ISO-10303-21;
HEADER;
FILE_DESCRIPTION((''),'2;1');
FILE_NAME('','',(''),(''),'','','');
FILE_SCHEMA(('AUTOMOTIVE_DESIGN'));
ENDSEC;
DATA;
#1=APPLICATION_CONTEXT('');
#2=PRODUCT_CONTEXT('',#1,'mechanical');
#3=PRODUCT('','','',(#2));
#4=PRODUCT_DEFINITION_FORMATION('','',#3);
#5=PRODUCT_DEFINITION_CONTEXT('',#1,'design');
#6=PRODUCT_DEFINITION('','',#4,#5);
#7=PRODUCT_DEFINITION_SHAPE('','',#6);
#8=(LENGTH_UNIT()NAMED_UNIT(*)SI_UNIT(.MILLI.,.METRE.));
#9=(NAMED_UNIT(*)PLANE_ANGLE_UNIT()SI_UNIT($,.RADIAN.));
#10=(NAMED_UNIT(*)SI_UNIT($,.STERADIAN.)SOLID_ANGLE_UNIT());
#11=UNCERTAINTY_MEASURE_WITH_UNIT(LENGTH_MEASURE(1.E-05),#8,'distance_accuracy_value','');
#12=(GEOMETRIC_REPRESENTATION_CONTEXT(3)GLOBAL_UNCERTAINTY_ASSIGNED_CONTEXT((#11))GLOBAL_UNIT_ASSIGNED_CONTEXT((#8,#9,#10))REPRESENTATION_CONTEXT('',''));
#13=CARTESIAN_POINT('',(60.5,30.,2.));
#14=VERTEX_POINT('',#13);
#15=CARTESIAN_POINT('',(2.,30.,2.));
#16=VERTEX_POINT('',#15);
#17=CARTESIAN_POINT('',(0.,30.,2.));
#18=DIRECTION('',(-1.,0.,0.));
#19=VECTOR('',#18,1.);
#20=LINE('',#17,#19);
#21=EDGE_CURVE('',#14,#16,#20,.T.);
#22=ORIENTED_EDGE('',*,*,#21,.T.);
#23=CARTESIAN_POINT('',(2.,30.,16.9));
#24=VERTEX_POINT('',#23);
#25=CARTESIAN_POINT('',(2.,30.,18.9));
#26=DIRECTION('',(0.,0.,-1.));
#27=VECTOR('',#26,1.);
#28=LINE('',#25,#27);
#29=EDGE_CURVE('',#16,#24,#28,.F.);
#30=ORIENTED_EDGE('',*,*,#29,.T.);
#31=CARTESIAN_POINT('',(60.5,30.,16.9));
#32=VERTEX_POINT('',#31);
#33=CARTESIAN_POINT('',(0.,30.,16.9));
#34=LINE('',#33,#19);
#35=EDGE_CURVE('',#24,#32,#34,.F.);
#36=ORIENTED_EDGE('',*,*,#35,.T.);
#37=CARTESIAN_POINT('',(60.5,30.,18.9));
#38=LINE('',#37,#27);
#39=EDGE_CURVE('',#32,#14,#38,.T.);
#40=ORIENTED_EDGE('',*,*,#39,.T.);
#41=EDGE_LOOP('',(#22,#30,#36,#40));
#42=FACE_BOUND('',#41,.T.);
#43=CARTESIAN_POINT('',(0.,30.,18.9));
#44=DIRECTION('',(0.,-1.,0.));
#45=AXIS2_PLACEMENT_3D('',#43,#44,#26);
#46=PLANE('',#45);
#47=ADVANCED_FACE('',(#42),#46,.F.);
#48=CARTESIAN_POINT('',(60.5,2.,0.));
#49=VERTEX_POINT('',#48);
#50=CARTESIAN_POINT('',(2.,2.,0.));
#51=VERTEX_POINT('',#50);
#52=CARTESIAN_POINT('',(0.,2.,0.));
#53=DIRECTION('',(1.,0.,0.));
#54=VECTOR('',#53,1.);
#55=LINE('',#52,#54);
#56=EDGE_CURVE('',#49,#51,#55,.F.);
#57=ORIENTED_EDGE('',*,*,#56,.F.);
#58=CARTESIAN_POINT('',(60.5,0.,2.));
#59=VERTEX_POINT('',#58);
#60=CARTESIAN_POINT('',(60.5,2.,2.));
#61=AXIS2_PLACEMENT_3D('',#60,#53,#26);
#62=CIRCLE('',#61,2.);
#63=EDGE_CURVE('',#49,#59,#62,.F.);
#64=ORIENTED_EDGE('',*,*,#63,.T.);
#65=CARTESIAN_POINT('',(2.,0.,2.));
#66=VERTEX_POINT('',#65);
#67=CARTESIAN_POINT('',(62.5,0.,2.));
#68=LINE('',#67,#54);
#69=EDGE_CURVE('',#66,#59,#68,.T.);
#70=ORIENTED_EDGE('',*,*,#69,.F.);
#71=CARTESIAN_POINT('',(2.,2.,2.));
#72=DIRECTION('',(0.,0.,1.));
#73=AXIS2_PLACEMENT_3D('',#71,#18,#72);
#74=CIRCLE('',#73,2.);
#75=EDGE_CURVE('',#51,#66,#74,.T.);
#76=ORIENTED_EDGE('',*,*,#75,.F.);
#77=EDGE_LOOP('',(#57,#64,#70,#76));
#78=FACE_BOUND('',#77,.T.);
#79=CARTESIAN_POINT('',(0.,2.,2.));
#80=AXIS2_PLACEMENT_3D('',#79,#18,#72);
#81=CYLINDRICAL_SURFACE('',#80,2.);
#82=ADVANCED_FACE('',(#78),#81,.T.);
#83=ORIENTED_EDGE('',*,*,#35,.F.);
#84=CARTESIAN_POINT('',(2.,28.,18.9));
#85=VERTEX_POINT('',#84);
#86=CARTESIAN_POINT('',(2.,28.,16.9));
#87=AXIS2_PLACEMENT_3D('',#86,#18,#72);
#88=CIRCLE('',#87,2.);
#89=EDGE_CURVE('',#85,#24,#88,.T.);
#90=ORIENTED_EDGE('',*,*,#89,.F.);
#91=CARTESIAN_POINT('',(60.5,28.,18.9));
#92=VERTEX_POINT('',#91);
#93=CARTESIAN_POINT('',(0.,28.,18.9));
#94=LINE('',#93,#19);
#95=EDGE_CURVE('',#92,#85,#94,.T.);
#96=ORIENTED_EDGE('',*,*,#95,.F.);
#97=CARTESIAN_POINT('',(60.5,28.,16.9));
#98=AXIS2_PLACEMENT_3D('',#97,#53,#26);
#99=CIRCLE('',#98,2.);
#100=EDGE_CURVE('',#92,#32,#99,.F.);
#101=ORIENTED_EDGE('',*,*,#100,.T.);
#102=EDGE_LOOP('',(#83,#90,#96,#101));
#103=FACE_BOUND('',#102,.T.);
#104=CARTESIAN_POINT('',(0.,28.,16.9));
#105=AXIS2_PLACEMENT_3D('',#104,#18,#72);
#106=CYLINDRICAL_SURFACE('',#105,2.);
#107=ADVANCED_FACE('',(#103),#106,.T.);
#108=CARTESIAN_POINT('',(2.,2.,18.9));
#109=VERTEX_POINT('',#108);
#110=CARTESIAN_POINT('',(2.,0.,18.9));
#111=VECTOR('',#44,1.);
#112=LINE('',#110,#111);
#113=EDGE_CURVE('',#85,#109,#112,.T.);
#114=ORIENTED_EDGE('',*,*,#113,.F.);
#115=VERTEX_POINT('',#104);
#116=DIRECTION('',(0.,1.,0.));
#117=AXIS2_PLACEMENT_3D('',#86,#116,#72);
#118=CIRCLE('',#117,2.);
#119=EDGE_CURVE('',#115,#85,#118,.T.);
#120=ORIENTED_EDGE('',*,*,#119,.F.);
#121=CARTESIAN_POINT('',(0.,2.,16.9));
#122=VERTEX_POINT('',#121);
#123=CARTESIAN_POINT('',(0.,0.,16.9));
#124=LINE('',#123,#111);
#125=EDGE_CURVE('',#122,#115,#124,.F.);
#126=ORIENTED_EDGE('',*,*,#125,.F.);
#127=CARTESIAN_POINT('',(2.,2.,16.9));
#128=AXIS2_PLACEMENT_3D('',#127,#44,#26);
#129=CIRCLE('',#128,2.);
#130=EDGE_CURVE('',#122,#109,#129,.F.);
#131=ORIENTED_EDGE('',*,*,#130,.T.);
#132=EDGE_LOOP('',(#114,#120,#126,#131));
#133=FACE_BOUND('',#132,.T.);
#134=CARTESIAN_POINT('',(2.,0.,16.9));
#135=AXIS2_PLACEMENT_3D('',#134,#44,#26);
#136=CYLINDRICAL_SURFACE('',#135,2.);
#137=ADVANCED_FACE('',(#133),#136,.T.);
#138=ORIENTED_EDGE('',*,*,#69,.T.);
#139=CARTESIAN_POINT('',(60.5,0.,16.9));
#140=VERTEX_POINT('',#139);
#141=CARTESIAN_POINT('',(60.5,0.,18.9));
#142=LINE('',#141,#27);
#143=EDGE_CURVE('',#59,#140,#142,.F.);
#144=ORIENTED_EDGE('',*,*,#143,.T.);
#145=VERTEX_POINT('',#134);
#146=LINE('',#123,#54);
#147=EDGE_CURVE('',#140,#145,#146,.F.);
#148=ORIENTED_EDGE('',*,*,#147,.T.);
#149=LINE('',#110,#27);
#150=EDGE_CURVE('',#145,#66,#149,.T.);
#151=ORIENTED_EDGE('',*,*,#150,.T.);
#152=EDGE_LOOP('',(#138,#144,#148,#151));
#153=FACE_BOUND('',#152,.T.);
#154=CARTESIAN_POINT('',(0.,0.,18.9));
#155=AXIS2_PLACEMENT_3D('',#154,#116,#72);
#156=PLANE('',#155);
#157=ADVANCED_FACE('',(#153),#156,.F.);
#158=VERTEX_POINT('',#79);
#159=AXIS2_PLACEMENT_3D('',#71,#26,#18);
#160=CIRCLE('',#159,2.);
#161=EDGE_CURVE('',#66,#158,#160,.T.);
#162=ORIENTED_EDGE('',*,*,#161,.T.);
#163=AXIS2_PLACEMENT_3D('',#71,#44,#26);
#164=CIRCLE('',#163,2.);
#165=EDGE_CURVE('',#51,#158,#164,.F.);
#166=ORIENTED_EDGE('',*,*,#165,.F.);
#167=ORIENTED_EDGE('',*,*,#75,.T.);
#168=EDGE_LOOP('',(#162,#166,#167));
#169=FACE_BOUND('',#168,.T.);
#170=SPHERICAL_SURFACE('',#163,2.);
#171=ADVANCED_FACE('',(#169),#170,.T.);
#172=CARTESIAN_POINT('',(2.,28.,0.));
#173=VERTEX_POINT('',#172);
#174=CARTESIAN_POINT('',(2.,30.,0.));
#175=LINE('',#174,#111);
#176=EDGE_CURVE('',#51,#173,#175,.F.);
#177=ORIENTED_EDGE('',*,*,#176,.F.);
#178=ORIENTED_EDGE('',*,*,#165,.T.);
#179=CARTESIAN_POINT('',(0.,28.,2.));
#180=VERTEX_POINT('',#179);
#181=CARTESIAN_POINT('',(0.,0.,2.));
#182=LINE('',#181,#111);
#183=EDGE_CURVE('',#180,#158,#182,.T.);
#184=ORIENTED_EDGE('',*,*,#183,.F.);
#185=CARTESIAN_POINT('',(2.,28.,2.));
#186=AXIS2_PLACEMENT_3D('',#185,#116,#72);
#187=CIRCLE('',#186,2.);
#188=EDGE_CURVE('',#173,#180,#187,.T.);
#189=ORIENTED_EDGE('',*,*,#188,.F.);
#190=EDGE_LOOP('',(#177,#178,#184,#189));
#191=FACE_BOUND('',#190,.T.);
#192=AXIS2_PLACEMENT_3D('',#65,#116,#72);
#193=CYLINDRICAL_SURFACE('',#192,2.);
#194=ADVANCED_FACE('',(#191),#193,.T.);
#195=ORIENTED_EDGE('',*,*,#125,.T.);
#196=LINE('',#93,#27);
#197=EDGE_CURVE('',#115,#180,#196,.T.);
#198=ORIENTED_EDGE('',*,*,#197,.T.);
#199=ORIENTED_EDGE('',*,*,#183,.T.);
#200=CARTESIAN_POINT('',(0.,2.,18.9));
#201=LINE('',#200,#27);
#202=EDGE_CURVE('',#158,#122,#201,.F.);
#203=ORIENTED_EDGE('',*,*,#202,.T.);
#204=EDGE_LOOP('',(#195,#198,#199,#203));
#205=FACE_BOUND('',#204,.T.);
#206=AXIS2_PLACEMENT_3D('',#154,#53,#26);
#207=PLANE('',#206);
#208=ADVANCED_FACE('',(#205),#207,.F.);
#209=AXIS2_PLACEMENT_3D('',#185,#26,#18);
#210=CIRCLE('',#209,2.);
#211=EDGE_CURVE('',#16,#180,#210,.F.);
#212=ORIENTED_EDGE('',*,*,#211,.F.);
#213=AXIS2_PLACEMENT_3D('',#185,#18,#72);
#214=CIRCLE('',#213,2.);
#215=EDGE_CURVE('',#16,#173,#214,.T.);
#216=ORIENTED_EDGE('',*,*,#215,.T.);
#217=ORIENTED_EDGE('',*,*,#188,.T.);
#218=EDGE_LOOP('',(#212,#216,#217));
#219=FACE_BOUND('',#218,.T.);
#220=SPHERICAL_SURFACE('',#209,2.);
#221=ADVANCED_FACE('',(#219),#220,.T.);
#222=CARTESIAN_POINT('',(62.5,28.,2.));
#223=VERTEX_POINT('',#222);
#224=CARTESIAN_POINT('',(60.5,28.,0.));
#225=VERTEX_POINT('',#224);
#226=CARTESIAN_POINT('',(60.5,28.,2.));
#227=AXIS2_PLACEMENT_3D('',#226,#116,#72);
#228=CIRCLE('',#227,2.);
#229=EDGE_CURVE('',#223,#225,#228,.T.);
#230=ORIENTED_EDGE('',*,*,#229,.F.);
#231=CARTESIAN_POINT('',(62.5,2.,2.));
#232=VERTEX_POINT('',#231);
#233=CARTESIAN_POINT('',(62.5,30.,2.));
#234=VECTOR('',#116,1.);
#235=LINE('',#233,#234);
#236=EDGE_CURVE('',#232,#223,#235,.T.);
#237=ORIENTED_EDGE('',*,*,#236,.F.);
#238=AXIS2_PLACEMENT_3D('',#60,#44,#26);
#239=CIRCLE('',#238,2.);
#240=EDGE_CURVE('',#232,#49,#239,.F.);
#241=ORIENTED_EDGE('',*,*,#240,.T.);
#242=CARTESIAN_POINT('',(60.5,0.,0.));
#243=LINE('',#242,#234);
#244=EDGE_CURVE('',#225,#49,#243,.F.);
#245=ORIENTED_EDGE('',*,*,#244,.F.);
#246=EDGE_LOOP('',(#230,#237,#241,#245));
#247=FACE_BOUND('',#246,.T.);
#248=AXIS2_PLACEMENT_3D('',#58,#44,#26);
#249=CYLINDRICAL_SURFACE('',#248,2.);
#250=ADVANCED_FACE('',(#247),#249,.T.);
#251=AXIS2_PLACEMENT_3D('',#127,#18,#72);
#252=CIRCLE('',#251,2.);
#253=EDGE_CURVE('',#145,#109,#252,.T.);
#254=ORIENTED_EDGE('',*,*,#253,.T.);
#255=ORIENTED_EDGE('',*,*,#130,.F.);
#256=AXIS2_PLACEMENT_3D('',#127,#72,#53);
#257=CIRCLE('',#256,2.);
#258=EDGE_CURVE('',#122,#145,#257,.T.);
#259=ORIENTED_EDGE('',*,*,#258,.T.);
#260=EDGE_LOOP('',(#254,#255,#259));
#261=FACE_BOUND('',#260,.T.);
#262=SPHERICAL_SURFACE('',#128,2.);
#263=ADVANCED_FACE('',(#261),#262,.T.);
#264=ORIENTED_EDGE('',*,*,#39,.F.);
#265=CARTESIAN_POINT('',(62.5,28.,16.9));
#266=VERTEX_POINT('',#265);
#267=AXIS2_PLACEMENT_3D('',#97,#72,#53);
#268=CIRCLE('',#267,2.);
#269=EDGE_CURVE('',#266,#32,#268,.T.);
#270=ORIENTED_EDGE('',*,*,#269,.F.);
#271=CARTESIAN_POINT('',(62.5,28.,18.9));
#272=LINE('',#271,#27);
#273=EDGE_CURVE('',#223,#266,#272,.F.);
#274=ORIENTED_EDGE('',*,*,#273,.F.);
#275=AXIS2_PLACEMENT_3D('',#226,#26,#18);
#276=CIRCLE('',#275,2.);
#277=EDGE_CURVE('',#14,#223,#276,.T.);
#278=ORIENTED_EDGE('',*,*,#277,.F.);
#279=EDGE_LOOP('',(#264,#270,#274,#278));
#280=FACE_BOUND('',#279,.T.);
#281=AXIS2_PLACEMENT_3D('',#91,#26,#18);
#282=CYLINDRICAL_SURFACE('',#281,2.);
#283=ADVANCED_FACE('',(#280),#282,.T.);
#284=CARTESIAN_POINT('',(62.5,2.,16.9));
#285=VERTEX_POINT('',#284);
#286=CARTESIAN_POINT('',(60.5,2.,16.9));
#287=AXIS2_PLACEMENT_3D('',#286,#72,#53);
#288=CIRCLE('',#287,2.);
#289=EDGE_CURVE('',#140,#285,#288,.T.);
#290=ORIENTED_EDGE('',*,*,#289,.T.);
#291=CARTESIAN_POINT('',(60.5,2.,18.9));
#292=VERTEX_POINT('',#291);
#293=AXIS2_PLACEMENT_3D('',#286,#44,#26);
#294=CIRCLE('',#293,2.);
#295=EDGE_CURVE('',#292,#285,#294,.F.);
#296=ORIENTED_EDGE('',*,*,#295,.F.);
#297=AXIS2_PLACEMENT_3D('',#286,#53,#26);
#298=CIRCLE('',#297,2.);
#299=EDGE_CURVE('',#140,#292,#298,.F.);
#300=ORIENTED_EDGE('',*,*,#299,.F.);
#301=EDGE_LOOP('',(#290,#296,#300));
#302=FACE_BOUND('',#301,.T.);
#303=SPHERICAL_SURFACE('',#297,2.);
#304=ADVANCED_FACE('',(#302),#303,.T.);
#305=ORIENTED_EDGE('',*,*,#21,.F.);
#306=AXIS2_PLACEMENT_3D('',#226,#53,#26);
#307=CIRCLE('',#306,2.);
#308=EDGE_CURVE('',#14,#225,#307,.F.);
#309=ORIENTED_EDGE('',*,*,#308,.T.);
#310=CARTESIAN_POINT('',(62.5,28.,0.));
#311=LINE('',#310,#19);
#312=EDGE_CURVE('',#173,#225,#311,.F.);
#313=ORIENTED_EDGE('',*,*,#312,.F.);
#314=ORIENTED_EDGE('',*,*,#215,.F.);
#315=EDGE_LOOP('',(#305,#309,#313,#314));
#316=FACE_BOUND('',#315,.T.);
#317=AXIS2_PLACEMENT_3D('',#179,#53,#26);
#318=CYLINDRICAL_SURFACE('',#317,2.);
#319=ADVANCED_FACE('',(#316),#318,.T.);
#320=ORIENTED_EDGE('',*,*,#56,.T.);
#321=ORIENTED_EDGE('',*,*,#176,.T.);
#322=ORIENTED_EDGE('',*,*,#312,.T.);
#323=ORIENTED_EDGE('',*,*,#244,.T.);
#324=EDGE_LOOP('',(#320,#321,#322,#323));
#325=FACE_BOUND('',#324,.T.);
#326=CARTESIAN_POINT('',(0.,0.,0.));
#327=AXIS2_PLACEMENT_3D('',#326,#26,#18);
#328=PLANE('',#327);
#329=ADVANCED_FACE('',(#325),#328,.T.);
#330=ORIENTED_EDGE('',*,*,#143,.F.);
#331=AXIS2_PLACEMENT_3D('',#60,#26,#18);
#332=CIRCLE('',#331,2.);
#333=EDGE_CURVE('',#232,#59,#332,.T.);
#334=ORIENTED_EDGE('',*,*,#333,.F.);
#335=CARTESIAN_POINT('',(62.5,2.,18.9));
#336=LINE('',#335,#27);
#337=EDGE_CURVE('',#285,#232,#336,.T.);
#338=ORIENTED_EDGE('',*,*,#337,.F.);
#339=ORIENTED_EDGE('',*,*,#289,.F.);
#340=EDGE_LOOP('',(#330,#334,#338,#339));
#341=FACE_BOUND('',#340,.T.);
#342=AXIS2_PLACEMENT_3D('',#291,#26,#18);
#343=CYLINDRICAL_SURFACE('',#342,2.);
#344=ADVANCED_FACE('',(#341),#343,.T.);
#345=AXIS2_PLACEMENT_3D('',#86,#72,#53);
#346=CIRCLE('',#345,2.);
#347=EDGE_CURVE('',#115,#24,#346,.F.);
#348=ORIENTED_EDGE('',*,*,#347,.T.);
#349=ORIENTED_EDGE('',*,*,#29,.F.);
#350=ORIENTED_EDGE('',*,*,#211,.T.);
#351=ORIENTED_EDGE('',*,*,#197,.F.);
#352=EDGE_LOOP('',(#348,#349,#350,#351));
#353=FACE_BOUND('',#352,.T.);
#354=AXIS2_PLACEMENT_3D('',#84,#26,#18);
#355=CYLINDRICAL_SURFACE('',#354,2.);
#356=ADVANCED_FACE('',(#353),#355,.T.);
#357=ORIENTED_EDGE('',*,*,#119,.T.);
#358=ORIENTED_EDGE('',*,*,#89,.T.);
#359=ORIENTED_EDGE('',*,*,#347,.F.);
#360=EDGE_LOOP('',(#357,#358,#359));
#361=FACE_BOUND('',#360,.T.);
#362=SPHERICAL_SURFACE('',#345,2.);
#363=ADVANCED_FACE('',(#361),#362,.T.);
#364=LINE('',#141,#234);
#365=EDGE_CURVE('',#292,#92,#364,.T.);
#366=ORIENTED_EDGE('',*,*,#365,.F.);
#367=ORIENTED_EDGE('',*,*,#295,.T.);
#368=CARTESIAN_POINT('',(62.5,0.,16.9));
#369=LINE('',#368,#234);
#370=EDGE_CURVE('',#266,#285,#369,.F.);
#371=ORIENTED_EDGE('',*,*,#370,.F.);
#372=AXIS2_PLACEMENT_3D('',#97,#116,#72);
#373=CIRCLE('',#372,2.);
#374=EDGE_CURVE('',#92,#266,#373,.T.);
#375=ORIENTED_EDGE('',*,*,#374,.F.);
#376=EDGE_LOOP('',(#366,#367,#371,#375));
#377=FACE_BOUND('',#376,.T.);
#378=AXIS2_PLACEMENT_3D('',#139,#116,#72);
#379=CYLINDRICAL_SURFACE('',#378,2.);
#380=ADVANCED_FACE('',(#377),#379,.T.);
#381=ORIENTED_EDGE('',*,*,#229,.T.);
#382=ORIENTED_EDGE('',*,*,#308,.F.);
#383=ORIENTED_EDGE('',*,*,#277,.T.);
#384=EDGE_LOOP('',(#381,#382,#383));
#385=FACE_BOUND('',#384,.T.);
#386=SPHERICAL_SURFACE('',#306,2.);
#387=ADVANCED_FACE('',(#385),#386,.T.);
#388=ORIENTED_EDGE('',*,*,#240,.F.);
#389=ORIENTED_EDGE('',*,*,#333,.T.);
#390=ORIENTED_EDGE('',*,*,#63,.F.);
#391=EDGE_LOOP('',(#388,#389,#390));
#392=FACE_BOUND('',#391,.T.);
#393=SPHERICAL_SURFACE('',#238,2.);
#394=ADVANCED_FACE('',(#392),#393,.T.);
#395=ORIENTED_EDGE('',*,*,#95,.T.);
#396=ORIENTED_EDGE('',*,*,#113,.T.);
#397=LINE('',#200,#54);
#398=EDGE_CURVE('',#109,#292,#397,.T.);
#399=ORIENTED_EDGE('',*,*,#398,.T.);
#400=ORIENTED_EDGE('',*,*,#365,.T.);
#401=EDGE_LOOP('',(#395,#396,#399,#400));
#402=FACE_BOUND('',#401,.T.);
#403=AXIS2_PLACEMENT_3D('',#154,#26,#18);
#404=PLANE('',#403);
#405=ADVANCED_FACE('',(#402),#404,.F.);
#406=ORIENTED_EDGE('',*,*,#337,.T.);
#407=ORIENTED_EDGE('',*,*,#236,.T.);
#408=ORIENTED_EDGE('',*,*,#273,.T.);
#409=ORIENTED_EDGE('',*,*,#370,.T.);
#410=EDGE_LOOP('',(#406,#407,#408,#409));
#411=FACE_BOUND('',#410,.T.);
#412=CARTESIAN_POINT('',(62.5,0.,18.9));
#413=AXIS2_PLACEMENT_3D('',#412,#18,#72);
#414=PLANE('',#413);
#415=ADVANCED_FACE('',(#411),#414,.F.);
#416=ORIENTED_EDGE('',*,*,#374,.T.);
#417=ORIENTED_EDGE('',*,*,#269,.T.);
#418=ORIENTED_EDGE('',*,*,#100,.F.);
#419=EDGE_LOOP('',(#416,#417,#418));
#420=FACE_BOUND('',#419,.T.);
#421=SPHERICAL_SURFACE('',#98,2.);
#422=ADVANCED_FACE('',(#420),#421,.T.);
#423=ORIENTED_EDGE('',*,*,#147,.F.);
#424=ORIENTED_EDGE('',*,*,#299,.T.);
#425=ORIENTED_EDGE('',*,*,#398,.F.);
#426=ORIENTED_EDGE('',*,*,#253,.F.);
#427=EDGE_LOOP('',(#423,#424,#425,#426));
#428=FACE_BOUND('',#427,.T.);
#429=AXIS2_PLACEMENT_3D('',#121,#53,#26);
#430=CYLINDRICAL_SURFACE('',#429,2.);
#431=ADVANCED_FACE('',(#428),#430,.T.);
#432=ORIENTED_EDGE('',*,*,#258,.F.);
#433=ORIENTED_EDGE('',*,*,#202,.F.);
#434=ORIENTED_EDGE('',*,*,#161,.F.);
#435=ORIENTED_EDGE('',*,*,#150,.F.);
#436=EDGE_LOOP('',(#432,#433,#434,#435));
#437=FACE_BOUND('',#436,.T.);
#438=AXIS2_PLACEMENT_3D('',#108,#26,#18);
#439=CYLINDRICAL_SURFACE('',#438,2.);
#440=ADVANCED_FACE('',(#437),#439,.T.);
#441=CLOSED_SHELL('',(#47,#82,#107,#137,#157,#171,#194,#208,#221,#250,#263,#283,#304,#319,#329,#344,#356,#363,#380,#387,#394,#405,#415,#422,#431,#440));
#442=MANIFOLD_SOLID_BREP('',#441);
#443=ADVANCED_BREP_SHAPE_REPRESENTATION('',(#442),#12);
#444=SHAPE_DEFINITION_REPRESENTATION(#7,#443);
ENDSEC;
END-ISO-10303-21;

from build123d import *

# Parameters (mm, degrees)
SKETCH1_W           = 62.5
SKETCH1_H           = 30
BOSS_EXTRUDE1_DEPTH = 18.9
FILLET1_R           = 2


with BuildPart() as part:
    # Sketch1 → Boss-Extrude1 (new body)
    with BuildSketch(Plane.XY):
        with Locations((31.25, 15)):
            Rectangle(SKETCH1_W, SKETCH1_H)
    extrude(amount=BOSS_EXTRUDE1_DEPTH)

    # Fillet1
    fillet1_edges = [part.edges().sort_by_distance(p)[0] for p in [
        (62.5, 15, 18.9),
        (31.25, 30, 18.9),
        (0, 15, 18.9),
        (31.25, 30, 0),
        (62.5, 15, 0),
        (31.25, 0, 0),
        (0, 15, 0),
        (0, 30, 9.45),
        (62.5, 30, 9.45),
        (62.5, 0, 9.45),
        (0, 0, 9.45),
        (31.25, 0, 18.9),
    ]]
    fillet(fillet1_edges, radius=FILLET1_R)


solid = part.part
